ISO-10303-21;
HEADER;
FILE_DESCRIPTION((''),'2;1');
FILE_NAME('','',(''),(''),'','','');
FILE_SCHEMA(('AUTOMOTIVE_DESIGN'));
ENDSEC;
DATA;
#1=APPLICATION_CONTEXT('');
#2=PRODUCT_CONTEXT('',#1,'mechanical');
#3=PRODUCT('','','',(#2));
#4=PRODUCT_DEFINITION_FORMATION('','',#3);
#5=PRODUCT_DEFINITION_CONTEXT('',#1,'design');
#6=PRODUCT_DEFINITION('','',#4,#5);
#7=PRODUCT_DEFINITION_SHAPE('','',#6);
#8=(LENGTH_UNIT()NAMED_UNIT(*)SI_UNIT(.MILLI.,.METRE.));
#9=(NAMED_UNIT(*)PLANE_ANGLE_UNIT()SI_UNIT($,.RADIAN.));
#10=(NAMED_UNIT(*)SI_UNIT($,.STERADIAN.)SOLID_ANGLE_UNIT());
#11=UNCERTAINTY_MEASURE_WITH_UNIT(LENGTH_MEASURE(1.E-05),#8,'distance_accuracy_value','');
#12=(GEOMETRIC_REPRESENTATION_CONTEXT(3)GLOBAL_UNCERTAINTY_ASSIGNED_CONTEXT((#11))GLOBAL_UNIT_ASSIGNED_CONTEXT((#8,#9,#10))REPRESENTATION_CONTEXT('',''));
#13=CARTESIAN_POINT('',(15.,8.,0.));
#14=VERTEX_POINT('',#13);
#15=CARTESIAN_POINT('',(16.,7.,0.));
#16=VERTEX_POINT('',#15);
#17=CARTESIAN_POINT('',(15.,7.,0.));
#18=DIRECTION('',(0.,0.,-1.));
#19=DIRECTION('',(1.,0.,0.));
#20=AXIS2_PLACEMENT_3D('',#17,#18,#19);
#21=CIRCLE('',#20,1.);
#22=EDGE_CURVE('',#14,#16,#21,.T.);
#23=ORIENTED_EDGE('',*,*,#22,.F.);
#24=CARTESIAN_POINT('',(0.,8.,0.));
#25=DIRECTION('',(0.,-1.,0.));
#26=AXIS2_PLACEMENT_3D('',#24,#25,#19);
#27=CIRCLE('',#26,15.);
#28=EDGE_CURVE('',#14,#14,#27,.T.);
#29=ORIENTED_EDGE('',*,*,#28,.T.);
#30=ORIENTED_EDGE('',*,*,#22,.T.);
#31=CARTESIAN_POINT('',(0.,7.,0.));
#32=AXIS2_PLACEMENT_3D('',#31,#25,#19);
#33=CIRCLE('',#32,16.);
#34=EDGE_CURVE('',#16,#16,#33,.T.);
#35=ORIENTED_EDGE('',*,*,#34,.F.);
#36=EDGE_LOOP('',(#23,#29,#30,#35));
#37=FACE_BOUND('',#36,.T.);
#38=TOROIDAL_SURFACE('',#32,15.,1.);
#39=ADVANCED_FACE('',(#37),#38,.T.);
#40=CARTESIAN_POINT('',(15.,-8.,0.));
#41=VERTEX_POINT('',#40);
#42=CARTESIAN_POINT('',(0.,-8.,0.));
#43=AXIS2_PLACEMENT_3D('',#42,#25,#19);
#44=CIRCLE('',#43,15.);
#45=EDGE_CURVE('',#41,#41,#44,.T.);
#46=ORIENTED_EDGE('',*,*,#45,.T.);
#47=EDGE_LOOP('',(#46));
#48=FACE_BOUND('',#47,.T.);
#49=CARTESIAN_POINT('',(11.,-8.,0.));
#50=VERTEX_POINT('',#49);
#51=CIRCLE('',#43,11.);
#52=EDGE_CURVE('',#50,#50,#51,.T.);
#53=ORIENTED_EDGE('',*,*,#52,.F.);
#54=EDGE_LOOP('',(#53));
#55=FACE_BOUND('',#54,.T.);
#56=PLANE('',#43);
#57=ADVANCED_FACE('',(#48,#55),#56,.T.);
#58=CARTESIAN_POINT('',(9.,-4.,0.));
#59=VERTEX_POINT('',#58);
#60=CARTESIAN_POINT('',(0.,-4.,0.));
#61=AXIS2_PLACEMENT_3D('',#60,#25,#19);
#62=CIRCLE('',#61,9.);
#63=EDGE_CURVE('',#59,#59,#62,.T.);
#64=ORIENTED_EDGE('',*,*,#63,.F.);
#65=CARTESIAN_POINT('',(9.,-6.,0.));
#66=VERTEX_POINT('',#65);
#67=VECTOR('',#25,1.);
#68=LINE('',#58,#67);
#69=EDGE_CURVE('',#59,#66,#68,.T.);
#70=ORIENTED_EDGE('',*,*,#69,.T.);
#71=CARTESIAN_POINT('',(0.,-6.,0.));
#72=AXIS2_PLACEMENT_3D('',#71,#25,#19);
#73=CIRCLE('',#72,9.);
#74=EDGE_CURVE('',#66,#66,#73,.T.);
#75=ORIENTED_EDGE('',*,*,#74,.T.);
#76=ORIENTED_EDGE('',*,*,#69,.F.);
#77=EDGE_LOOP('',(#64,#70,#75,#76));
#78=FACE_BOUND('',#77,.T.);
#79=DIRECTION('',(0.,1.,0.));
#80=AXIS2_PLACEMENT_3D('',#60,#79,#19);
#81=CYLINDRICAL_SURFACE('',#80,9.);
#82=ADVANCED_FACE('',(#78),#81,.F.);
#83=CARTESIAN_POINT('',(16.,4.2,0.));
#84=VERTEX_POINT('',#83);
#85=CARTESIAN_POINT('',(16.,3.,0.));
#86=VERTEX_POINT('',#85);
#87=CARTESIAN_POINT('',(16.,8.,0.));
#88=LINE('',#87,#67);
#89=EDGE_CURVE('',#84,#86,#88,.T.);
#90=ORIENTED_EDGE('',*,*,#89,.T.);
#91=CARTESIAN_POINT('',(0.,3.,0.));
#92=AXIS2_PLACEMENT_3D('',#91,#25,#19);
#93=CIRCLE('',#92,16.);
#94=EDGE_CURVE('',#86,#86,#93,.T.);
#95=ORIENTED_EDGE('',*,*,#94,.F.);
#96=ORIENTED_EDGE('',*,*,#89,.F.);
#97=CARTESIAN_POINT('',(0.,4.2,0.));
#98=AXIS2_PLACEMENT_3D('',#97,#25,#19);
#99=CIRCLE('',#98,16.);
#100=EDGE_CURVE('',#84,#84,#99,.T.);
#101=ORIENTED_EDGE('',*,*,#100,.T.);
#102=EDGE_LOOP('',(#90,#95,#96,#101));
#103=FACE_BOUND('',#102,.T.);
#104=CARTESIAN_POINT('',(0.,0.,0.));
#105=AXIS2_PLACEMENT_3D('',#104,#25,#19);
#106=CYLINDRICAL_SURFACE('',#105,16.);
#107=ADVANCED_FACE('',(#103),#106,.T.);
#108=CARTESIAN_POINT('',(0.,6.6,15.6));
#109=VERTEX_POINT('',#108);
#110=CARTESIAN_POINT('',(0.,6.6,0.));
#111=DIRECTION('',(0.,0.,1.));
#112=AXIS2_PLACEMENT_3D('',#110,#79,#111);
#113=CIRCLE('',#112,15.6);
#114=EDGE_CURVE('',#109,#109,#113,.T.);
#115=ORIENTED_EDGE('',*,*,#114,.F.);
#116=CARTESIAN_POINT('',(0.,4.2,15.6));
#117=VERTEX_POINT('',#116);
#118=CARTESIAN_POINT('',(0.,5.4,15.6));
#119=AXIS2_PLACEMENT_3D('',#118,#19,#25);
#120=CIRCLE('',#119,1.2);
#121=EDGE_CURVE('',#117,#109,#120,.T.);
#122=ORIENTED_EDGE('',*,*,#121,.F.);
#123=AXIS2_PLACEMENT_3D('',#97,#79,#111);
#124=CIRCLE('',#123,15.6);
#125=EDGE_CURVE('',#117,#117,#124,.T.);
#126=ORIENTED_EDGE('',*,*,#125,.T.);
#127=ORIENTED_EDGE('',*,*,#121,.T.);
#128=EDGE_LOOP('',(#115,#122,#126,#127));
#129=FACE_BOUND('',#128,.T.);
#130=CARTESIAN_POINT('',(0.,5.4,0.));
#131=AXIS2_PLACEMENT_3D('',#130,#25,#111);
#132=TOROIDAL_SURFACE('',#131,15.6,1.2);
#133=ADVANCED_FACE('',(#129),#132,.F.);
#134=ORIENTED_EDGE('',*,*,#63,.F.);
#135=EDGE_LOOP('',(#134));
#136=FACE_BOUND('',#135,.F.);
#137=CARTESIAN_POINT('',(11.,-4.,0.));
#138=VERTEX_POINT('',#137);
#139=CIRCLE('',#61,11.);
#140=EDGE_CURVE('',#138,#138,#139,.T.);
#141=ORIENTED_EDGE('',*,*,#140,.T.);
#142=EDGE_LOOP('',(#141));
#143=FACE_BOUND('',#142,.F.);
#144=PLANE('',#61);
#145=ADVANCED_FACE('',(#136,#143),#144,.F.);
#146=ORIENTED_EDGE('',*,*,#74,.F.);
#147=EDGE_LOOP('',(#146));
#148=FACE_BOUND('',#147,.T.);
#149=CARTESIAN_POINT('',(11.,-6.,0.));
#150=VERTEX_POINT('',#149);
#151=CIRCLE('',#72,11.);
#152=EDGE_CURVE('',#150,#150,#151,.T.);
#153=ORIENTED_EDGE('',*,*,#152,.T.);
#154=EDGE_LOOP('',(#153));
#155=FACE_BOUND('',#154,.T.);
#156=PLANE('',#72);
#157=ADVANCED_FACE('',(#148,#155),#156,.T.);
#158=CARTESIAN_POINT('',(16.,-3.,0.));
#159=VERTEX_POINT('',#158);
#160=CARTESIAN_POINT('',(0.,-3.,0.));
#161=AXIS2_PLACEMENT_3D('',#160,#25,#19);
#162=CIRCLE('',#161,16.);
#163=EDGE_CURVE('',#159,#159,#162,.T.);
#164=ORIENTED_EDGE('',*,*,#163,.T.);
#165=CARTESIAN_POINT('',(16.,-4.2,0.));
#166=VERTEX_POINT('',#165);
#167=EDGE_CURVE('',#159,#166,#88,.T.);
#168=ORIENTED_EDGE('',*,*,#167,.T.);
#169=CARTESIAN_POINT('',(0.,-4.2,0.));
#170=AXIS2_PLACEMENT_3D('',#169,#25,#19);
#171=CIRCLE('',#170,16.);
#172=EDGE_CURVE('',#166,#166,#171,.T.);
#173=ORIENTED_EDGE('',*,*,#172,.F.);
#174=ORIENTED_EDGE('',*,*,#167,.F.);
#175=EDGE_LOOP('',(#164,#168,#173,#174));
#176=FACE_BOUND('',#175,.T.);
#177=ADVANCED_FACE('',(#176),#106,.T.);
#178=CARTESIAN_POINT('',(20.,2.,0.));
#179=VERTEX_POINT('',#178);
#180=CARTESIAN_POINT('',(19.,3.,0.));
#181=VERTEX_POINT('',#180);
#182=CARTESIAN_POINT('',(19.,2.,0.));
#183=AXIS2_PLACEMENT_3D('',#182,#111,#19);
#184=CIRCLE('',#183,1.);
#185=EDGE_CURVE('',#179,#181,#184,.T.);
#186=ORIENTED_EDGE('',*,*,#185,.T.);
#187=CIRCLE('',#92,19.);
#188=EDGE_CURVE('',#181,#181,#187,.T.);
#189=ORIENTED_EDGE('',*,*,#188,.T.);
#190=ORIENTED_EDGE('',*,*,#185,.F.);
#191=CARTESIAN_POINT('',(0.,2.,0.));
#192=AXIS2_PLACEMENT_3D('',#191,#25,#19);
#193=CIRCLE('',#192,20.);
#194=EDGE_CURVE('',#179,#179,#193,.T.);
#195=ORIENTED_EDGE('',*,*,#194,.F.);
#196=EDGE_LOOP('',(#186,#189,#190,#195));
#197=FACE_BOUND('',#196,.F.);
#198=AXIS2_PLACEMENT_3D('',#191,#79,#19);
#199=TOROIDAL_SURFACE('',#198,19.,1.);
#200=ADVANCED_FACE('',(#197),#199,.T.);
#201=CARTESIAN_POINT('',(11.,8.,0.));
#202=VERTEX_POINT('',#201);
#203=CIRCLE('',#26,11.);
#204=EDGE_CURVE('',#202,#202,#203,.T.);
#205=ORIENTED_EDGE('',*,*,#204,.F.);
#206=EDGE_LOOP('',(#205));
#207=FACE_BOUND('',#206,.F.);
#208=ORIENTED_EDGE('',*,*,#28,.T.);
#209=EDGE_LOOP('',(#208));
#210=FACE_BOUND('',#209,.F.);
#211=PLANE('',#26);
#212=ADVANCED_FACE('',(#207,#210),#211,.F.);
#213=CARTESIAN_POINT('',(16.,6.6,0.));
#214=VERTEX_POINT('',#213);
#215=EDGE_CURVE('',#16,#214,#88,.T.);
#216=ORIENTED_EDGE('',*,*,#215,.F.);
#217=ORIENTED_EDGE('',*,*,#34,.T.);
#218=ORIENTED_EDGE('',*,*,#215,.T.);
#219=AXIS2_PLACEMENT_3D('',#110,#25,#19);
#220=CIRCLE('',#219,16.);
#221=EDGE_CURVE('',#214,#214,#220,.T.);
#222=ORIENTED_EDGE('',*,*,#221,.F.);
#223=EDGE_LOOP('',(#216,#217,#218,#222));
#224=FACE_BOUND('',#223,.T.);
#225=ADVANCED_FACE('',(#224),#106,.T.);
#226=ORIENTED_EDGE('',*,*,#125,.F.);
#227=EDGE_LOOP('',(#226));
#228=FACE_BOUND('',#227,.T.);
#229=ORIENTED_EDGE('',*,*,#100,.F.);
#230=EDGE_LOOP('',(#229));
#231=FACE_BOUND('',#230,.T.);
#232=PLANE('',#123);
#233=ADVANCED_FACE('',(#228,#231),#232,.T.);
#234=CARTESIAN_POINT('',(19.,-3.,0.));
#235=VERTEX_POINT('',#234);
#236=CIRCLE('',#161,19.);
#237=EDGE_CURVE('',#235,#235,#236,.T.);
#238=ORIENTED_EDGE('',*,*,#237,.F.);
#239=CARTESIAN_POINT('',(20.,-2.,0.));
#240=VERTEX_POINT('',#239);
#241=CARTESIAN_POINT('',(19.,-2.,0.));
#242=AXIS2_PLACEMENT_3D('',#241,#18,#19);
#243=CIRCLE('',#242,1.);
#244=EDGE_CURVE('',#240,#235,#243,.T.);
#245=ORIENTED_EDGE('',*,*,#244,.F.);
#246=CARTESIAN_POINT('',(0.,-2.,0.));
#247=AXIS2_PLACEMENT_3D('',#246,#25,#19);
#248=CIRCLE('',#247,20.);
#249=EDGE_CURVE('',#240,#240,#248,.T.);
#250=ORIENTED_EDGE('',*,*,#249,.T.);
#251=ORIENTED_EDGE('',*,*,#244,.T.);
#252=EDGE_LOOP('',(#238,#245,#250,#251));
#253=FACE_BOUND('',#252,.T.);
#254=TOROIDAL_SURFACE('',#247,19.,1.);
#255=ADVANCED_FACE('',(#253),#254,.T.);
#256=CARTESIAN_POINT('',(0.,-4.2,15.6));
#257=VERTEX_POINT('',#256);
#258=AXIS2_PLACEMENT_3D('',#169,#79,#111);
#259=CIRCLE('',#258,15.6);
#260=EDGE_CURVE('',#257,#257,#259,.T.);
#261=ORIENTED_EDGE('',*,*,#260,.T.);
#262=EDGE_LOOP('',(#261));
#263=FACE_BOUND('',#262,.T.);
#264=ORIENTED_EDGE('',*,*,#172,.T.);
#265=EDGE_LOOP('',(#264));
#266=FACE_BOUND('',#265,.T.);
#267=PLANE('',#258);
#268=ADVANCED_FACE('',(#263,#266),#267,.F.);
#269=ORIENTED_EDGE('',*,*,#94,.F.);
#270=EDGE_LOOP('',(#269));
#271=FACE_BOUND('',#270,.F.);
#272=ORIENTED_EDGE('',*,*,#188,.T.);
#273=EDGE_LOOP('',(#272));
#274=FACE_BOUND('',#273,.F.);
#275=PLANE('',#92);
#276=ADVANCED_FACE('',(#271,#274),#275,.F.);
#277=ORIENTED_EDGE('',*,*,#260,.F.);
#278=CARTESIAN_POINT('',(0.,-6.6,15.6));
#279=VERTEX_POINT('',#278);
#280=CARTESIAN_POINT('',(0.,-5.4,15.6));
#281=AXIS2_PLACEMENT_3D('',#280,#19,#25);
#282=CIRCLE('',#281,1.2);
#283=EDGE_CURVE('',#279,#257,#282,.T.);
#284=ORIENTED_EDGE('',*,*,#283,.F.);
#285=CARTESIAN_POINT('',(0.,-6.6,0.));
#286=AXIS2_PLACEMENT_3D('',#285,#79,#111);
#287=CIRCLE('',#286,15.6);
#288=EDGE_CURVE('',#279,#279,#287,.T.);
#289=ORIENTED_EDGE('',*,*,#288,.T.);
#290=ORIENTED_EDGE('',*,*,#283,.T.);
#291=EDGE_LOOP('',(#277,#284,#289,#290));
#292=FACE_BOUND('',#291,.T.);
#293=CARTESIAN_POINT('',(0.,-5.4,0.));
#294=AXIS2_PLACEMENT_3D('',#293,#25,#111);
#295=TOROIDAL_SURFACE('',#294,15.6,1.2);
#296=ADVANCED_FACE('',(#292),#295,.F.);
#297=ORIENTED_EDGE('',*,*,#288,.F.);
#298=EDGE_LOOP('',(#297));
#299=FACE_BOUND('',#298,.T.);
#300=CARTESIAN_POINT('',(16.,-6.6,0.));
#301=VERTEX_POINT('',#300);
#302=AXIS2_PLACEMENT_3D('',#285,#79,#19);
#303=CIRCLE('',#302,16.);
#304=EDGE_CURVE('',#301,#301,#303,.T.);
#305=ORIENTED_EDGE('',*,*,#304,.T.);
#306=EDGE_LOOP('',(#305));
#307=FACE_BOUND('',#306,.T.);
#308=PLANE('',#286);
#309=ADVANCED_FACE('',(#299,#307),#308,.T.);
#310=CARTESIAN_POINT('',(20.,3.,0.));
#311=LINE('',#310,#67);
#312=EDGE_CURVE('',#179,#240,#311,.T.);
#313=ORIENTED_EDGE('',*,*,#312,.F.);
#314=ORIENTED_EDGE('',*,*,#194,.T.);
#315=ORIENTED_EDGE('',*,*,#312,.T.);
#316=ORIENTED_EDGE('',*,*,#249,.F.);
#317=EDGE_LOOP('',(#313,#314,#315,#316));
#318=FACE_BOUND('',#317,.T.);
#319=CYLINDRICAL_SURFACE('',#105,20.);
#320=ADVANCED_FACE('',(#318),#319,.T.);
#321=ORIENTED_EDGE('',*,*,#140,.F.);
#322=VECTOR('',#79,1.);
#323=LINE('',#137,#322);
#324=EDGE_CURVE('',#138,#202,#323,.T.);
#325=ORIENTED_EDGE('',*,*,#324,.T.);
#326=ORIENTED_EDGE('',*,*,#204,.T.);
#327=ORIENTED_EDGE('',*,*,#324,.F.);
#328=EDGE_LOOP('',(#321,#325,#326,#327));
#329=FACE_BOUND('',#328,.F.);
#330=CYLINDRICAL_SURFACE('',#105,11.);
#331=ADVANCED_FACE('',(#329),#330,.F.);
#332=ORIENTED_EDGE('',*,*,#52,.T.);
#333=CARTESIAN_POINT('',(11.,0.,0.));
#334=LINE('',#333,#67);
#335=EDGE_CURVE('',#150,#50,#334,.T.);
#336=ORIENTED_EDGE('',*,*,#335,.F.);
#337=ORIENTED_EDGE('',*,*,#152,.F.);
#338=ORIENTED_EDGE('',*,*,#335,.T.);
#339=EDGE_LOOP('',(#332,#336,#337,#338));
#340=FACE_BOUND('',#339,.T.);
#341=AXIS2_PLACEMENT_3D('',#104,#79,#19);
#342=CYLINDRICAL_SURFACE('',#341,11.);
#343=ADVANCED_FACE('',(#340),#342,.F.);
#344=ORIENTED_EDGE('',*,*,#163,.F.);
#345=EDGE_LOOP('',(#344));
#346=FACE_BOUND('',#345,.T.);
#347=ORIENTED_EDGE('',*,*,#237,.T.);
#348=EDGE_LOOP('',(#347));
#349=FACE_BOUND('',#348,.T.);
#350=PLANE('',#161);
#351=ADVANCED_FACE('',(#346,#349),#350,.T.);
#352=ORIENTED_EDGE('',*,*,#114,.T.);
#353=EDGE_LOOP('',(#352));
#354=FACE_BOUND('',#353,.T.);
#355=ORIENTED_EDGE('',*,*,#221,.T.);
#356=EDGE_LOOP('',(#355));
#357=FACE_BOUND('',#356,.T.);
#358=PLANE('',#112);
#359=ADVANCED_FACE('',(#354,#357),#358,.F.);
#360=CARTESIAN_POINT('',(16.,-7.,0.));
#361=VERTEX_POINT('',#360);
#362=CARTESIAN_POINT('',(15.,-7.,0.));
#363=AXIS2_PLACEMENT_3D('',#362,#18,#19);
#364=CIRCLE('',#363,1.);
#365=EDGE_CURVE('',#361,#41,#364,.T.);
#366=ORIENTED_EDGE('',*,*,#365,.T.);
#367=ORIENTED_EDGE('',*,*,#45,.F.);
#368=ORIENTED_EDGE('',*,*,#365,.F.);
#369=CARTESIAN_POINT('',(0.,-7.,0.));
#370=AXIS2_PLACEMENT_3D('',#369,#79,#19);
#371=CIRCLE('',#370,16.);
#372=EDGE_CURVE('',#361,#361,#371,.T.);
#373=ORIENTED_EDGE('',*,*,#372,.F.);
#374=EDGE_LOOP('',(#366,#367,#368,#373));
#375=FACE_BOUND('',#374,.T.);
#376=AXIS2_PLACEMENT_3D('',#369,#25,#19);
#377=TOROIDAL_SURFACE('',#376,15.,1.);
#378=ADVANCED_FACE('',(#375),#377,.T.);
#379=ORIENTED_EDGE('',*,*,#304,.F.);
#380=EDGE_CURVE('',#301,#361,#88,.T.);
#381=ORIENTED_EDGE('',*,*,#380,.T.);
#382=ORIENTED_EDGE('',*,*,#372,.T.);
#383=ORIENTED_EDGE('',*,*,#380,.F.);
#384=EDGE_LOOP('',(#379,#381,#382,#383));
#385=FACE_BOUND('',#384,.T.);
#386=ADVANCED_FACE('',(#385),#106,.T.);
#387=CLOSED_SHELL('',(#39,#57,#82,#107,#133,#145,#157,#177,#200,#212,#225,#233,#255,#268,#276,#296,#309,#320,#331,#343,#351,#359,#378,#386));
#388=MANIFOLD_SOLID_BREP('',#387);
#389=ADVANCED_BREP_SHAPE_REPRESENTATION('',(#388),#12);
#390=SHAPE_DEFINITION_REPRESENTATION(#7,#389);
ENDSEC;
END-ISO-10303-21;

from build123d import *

# Parameters (mm, degrees)
F0_R          = 16
F0_R_2        = 11
F1_DEPTH      = 8
F1_DEPTH_BACK = 8
F0_R_3        = 20
F2_DEPTH      = 3
F2_DEPTH_BACK = 3
F3_R          = 1
F4_START      = 4
F0_R_4        = 9
F4_DEPTH      = 2


with BuildPart() as f1:
    # F0 (on Front) → F1 (new body, two sides)
    with BuildSketch(Plane.XZ) as f1_sk:
        Circle(F0_R)
        Circle(F0_R_2, mode=Mode.SUBTRACT)
    extrude(amount=F1_DEPTH)
    extrude(f1_sk.sketch, amount=-F1_DEPTH_BACK)

    # F0 (on Front) → F2 (join, two sides)
    with BuildSketch(Plane.XZ) as f2_sk:
        Circle(F0_R_3)
        Circle(F0_R, mode=Mode.SUBTRACT)
    extrude(amount=F2_DEPTH)
    extrude(f2_sk.sketch, amount=-F2_DEPTH_BACK)

    # F3
    f3_edges = [f1.edges().sort_by_distance(p)[0] for p in [
        (-20, -3, 0),
        (-20, 3, 0),
        (-16, -8, 0),
        (-16, 8, 0),
    ]]
    fillet(f3_edges, radius=F3_R)

    # F0 (on Front) → F4 (join)
    with BuildSketch(Plane.XZ.offset(F4_START)):
        Circle(F0_R_2)
        Circle(F0_R_4, mode=Mode.SUBTRACT)
    extrude(amount=F4_DEPTH)

    # F5 (on Right) → F6 (revolve, cut)
    with BuildSketch(Plane.YZ):
        with BuildLine():
            Line((-4.2, 15.6), (-4.2, 16.2))
            Line((-4.2, 16.2), (-4.2, 22.1827639759))
            Line((-4.2, 22.1827639759), (0, 22.1827639759))
            Line((0, 22.1827639759), (4.2, 22.1827639759))
            Line((4.2, 22.1827639759), (4.2, 16.2))
            Line((4.2, 16.2), (4.2, 15.6))
            ThreePointArc((4.2, 15.6), (5.4, 14.4), (6.6, 15.6))
            Line((6.6, 15.6), (6.6, 16))
            Line((6.6, 16), (12.973128818, 16))
            Line((12.973128818, 16), (12.973128818, 0))
            Line((12.973128818, 0), (17.3597242683, 0))
            Line((17.3597242683, 0), (17.3597242683, 23.6232783645))
            Line((17.3597242683, 23.6232783645), (0, 23.6232783645))
            Line((0, 23.6232783645), (-17.3597242683, 23.6232783645))
            Line((-17.3597242683, 23.6232783645), (-17.3597242683, 0))
            Line((-17.3597242683, 0), (-12.973128818, 0))
            Line((-12.973128818, 0), (-12.973128818, 16))
            Line((-12.973128818, 16), (-6.6, 16))
            Line((-6.6, 16), (-6.6, 15.6))
            ThreePointArc((-6.6, 15.6), (-5.4, 14.4), (-4.2, 15.6))
        make_face()
    revolve(axis=Axis((0, 15.1664265431, 0), (0, 1, 0)), mode=Mode.SUBTRACT)


solid = f1.part
